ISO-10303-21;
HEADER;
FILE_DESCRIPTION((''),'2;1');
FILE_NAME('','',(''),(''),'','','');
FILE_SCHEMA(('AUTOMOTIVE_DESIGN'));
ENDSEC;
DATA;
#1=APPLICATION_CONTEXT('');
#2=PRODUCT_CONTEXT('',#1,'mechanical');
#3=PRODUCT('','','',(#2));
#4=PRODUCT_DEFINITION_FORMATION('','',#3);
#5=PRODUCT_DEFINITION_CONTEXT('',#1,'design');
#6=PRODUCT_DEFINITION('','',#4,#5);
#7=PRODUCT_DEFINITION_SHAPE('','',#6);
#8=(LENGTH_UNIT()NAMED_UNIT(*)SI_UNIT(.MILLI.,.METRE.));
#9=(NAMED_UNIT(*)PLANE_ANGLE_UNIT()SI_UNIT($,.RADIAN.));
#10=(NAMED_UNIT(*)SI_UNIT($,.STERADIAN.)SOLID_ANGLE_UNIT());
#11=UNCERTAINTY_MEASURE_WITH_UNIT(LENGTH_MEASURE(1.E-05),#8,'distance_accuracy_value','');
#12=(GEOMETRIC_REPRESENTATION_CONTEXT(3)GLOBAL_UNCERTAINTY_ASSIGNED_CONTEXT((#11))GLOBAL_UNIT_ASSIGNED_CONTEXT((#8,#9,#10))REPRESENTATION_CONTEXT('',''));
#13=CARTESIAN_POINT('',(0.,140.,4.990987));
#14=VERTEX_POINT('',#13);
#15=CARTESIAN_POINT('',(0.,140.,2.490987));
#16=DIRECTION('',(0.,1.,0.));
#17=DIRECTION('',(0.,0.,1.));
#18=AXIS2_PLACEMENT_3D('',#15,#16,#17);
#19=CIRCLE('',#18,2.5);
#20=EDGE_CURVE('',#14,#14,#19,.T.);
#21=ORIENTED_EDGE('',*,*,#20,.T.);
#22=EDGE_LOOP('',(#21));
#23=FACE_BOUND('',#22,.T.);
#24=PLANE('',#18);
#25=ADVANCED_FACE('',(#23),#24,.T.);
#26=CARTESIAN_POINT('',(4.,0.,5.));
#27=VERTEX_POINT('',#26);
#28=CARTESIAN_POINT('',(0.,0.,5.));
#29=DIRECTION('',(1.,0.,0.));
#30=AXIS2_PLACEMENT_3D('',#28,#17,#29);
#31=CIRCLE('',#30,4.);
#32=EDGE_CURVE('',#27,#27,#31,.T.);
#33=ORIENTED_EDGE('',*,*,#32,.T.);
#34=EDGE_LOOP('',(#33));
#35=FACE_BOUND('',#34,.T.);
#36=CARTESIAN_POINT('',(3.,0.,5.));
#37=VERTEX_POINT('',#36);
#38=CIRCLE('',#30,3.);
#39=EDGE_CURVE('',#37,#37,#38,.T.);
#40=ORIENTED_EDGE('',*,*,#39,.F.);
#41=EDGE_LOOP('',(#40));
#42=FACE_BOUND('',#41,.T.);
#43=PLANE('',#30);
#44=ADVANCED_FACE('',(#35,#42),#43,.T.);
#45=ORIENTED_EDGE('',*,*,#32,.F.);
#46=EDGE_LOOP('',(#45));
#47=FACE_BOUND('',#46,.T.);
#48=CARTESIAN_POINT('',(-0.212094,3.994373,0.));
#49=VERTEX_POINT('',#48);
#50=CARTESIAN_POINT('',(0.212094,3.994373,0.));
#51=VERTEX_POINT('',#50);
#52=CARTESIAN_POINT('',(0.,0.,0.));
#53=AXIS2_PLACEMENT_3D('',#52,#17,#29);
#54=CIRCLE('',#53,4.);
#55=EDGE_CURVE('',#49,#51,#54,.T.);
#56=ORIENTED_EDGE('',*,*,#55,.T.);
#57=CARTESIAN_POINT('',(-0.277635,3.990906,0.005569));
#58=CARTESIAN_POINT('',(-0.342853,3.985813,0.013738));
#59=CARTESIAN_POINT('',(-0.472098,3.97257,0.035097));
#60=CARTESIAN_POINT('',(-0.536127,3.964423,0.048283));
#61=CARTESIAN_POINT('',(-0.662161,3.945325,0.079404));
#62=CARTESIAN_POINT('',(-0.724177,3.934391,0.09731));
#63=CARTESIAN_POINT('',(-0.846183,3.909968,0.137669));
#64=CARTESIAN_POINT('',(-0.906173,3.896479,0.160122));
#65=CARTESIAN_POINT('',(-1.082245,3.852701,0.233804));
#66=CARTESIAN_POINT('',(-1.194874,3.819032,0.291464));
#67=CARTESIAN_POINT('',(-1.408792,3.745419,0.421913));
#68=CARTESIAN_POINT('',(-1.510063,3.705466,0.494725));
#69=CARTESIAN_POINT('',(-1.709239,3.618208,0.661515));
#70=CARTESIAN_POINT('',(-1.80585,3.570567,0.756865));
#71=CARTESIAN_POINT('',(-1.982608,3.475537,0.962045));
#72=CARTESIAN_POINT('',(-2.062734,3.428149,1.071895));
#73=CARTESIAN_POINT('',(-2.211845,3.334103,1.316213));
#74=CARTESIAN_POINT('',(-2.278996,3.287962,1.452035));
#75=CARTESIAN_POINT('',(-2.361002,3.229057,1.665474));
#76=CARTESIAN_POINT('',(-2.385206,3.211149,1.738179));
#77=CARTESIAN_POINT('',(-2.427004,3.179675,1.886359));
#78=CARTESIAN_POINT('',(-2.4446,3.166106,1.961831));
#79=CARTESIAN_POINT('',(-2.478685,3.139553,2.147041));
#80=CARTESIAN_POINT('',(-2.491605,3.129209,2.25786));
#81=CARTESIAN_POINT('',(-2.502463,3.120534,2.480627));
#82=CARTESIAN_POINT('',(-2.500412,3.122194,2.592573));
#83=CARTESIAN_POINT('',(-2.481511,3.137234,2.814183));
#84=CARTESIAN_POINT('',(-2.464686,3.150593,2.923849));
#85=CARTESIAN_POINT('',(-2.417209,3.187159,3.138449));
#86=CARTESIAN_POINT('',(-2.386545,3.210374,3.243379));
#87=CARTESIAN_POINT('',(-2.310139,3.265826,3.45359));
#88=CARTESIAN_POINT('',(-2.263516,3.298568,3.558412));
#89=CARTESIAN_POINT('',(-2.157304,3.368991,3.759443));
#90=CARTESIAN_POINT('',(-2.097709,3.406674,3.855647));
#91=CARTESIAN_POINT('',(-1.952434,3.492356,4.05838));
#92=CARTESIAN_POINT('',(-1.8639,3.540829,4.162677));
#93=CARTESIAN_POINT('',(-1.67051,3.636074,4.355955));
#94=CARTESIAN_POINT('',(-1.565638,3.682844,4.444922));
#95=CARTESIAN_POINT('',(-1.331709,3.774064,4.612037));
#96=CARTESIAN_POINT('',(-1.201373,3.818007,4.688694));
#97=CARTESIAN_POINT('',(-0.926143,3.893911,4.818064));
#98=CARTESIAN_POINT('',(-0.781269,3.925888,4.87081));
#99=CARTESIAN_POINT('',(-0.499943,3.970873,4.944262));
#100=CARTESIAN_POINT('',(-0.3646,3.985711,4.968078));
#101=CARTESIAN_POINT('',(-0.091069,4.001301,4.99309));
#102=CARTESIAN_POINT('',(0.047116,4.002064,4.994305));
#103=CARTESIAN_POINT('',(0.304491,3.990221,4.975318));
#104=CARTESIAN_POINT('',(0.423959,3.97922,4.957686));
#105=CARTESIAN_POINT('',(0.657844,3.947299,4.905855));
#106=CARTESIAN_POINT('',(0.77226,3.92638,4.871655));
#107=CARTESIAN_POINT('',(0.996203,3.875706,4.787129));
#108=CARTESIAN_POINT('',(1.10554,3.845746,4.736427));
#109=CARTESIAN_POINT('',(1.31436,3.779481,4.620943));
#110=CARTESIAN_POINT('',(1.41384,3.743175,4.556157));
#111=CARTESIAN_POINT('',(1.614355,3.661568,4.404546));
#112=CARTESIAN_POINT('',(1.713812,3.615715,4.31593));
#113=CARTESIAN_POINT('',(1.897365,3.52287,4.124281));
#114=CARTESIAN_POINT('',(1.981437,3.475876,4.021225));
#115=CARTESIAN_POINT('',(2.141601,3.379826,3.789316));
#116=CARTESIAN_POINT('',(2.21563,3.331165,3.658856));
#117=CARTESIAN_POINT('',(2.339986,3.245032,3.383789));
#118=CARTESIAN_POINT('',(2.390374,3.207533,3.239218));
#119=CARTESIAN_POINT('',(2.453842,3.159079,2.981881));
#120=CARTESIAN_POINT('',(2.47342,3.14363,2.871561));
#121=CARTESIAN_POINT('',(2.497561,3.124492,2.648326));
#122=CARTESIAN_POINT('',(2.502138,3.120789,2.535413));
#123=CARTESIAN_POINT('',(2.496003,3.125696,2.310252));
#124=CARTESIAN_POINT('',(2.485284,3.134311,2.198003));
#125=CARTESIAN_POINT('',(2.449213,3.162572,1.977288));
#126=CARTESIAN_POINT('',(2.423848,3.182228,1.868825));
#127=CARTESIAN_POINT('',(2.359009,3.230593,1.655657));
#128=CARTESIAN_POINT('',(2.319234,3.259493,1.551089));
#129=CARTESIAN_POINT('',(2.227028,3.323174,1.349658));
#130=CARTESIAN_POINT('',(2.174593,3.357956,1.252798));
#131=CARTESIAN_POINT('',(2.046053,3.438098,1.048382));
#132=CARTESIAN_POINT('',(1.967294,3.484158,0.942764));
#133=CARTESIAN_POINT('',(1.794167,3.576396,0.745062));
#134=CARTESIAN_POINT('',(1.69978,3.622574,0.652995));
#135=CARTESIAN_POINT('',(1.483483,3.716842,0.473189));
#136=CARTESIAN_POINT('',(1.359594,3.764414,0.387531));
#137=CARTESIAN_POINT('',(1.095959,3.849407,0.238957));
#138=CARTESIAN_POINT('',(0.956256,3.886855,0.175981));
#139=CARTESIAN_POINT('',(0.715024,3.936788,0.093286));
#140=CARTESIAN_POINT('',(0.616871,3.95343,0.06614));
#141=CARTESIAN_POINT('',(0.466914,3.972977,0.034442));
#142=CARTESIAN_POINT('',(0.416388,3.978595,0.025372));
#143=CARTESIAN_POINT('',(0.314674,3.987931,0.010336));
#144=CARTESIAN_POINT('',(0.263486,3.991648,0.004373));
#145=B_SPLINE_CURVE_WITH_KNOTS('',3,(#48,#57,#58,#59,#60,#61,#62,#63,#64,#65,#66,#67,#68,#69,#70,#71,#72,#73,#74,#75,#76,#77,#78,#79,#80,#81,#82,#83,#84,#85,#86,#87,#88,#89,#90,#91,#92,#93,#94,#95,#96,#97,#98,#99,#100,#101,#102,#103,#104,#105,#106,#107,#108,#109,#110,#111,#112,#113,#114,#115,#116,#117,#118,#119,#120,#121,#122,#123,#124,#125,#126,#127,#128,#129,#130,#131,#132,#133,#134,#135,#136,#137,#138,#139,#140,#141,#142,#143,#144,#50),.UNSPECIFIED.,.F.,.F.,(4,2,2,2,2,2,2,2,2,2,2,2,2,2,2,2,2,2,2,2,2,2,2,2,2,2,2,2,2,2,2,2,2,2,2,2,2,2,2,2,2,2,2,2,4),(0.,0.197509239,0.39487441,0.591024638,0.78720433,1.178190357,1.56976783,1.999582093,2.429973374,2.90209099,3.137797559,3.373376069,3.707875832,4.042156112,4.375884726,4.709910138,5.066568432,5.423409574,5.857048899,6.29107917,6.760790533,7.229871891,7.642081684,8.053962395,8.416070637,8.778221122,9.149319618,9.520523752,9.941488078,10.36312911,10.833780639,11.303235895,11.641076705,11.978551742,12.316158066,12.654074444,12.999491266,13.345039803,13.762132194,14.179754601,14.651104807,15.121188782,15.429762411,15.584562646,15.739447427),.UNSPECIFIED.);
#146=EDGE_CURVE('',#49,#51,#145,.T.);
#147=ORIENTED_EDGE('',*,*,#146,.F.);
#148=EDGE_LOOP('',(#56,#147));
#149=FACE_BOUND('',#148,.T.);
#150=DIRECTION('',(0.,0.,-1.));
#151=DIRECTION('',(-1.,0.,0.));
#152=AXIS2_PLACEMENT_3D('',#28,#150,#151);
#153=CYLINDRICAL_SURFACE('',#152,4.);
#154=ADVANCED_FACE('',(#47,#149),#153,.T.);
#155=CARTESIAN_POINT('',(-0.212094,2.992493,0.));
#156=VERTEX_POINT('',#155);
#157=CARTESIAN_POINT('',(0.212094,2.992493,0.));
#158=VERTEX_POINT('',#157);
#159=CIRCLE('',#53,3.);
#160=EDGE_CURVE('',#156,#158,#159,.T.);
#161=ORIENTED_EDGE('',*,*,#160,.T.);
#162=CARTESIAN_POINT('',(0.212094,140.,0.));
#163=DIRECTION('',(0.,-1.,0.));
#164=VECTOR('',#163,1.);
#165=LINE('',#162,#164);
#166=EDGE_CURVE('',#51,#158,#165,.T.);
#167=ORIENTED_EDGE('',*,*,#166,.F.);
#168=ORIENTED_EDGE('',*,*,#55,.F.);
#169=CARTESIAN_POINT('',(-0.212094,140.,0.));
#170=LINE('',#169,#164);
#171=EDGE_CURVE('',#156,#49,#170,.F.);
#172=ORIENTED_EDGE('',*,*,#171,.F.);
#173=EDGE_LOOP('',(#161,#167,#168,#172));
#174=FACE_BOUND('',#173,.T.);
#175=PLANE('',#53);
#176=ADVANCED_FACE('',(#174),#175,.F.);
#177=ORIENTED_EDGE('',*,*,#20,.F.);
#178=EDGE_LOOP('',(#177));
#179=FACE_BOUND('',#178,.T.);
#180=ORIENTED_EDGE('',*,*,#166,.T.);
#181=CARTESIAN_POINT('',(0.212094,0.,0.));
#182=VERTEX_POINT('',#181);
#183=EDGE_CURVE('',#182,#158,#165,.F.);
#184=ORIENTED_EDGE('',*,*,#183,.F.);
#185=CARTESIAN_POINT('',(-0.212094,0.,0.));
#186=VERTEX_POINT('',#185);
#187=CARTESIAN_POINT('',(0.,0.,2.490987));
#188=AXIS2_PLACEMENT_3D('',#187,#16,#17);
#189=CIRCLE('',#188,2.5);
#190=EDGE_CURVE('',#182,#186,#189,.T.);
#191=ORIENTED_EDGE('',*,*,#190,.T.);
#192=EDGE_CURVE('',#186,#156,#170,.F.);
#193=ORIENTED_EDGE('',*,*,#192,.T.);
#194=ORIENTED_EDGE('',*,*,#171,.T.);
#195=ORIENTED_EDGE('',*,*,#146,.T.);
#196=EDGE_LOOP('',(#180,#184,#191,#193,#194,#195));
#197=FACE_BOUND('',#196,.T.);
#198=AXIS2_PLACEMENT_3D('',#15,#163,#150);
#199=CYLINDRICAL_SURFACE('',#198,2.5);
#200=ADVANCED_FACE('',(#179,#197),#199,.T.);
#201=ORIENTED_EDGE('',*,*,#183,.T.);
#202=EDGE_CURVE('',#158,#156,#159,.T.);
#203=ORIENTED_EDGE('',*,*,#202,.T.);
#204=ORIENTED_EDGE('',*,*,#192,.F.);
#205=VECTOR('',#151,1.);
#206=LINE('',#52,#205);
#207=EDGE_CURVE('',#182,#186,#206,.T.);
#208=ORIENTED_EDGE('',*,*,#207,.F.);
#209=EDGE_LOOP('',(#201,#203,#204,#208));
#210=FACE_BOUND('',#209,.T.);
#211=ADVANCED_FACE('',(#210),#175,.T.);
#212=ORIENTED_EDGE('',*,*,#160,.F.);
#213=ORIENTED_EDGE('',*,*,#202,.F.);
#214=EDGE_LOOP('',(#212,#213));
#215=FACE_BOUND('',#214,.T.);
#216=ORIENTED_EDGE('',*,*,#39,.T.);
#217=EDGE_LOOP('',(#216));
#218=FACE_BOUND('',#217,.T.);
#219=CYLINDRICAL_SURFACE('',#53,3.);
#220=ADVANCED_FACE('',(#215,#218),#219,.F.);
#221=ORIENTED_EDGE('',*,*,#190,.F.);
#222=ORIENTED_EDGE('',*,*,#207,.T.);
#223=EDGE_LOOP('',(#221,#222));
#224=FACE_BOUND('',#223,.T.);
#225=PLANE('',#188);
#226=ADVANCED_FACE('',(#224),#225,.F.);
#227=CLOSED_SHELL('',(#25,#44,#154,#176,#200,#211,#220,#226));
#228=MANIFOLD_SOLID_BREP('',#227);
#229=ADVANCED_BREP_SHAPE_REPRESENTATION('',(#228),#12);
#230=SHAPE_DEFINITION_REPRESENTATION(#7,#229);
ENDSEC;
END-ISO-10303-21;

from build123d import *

# Parameters (mm, degrees)
SKETCH_1_R          = 4
EXTRUDE_1_DEPTH     = 5
SKETCH_3_R          = 2.5
EXTRUDE_2_DEPTH     = 140
SKETCH_2_R          = 3
CUT_EXTRUDE_1_DEPTH = 5


with BuildPart() as part:
    # 草图1 → 凸台-拉伸1 (new body)
    with BuildSketch(Plane.XY):
        Circle(SKETCH_1_R)
    extrude(amount=EXTRUDE_1_DEPTH)

    # 草图3 → 凸台-拉伸2 (add)
    with BuildSketch(Plane(origin=(0, 0, 0), x_dir=(1, 0, 0), z_dir=(0, 1, 0))):
        with Locations(Location((0, -2.490986951, 0), (0, 0, 85.133305815))):
            Circle(SKETCH_3_R)
    extrude(amount=EXTRUDE_2_DEPTH)

    # 草图2 → 切除-拉伸1 (cut)
    with BuildSketch(Plane.XY.offset(5)):
        Circle(SKETCH_2_R)
    extrude(amount=-CUT_EXTRUDE_1_DEPTH, mode=Mode.SUBTRACT)


solid = part.part
